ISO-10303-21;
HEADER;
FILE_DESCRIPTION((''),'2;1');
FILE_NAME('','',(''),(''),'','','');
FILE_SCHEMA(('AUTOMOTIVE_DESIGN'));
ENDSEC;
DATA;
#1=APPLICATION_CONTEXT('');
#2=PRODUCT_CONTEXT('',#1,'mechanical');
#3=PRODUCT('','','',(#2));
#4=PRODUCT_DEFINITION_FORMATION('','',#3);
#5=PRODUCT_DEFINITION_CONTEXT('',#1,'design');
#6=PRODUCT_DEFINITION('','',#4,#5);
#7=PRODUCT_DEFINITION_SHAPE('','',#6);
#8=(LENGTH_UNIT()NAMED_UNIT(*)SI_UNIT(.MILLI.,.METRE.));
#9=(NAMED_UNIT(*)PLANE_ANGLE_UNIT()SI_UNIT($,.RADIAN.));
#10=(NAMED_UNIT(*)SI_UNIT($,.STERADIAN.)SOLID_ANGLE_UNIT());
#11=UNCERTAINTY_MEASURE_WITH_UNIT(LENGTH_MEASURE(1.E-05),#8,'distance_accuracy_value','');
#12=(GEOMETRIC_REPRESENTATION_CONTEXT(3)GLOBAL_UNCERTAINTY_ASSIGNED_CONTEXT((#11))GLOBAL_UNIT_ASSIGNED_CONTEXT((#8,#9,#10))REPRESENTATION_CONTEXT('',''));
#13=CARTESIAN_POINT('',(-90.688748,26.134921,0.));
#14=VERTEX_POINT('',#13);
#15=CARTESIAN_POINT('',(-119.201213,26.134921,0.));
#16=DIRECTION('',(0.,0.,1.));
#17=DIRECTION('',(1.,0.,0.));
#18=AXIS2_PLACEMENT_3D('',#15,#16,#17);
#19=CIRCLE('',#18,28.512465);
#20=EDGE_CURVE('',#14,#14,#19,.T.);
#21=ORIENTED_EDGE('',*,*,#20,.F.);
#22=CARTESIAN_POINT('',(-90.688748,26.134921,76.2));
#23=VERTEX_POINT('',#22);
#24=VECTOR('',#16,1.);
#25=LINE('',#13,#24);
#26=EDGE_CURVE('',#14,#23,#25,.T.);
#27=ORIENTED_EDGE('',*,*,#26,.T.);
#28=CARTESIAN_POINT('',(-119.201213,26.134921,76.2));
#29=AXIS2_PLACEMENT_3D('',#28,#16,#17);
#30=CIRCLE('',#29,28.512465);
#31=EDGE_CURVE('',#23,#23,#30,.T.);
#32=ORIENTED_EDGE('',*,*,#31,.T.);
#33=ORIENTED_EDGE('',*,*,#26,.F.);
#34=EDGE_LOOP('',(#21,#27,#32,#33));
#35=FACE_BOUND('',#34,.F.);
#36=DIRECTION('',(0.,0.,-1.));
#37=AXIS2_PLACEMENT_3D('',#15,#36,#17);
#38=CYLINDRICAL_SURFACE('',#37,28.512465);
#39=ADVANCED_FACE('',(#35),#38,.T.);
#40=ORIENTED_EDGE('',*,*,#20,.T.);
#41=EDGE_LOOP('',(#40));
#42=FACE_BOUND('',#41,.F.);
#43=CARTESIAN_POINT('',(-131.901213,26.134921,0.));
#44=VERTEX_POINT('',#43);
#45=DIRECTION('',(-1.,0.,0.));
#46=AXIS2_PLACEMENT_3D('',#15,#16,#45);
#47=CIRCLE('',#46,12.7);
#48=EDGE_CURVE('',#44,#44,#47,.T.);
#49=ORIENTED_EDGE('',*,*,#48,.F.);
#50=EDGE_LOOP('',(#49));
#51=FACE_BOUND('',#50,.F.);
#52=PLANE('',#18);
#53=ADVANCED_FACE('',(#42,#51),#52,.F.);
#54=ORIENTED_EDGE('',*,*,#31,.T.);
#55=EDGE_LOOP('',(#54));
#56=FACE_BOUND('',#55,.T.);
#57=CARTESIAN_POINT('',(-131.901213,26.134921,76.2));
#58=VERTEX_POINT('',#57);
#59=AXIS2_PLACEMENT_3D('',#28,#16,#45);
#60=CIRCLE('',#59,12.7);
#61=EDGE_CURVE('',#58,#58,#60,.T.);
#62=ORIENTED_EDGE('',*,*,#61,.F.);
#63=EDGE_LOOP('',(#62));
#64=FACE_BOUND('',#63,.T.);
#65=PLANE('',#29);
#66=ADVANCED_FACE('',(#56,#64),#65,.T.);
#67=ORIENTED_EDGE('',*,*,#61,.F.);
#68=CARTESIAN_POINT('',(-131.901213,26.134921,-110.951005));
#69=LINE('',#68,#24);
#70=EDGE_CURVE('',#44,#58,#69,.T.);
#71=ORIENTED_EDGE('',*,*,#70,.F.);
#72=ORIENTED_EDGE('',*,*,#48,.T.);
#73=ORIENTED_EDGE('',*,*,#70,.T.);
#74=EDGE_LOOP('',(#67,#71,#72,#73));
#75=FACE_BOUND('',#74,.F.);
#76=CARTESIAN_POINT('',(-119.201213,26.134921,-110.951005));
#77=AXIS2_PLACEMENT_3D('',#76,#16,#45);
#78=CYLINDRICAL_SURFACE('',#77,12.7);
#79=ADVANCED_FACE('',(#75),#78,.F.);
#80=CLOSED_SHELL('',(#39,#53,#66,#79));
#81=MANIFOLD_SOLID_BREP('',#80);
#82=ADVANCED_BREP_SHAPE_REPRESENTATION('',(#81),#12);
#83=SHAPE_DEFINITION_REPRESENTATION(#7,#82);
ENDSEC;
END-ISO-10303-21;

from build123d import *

# Parameters (mm, degrees)
F0_R     = 28.5124653839
F1_DEPTH = 76.2
F2_D     = 25.4


with BuildPart() as f1:
    # F0 (on Top) → F1 (new body)
    with BuildSketch(Plane.XY):
        with Locations((-119.2012131214, 26.1349212378)):
            Circle(F0_R)
    extrude(amount=F1_DEPTH)

    # F2 (through all)
    with Locations(Plane(origin=(0, 0, 0), x_dir=(1, 0, 0), z_dir=(0, 0, -1))):
        with Locations((-119.2012131214, -26.1349212378)):
            Hole(F2_D / 2)


solid = f1.part
